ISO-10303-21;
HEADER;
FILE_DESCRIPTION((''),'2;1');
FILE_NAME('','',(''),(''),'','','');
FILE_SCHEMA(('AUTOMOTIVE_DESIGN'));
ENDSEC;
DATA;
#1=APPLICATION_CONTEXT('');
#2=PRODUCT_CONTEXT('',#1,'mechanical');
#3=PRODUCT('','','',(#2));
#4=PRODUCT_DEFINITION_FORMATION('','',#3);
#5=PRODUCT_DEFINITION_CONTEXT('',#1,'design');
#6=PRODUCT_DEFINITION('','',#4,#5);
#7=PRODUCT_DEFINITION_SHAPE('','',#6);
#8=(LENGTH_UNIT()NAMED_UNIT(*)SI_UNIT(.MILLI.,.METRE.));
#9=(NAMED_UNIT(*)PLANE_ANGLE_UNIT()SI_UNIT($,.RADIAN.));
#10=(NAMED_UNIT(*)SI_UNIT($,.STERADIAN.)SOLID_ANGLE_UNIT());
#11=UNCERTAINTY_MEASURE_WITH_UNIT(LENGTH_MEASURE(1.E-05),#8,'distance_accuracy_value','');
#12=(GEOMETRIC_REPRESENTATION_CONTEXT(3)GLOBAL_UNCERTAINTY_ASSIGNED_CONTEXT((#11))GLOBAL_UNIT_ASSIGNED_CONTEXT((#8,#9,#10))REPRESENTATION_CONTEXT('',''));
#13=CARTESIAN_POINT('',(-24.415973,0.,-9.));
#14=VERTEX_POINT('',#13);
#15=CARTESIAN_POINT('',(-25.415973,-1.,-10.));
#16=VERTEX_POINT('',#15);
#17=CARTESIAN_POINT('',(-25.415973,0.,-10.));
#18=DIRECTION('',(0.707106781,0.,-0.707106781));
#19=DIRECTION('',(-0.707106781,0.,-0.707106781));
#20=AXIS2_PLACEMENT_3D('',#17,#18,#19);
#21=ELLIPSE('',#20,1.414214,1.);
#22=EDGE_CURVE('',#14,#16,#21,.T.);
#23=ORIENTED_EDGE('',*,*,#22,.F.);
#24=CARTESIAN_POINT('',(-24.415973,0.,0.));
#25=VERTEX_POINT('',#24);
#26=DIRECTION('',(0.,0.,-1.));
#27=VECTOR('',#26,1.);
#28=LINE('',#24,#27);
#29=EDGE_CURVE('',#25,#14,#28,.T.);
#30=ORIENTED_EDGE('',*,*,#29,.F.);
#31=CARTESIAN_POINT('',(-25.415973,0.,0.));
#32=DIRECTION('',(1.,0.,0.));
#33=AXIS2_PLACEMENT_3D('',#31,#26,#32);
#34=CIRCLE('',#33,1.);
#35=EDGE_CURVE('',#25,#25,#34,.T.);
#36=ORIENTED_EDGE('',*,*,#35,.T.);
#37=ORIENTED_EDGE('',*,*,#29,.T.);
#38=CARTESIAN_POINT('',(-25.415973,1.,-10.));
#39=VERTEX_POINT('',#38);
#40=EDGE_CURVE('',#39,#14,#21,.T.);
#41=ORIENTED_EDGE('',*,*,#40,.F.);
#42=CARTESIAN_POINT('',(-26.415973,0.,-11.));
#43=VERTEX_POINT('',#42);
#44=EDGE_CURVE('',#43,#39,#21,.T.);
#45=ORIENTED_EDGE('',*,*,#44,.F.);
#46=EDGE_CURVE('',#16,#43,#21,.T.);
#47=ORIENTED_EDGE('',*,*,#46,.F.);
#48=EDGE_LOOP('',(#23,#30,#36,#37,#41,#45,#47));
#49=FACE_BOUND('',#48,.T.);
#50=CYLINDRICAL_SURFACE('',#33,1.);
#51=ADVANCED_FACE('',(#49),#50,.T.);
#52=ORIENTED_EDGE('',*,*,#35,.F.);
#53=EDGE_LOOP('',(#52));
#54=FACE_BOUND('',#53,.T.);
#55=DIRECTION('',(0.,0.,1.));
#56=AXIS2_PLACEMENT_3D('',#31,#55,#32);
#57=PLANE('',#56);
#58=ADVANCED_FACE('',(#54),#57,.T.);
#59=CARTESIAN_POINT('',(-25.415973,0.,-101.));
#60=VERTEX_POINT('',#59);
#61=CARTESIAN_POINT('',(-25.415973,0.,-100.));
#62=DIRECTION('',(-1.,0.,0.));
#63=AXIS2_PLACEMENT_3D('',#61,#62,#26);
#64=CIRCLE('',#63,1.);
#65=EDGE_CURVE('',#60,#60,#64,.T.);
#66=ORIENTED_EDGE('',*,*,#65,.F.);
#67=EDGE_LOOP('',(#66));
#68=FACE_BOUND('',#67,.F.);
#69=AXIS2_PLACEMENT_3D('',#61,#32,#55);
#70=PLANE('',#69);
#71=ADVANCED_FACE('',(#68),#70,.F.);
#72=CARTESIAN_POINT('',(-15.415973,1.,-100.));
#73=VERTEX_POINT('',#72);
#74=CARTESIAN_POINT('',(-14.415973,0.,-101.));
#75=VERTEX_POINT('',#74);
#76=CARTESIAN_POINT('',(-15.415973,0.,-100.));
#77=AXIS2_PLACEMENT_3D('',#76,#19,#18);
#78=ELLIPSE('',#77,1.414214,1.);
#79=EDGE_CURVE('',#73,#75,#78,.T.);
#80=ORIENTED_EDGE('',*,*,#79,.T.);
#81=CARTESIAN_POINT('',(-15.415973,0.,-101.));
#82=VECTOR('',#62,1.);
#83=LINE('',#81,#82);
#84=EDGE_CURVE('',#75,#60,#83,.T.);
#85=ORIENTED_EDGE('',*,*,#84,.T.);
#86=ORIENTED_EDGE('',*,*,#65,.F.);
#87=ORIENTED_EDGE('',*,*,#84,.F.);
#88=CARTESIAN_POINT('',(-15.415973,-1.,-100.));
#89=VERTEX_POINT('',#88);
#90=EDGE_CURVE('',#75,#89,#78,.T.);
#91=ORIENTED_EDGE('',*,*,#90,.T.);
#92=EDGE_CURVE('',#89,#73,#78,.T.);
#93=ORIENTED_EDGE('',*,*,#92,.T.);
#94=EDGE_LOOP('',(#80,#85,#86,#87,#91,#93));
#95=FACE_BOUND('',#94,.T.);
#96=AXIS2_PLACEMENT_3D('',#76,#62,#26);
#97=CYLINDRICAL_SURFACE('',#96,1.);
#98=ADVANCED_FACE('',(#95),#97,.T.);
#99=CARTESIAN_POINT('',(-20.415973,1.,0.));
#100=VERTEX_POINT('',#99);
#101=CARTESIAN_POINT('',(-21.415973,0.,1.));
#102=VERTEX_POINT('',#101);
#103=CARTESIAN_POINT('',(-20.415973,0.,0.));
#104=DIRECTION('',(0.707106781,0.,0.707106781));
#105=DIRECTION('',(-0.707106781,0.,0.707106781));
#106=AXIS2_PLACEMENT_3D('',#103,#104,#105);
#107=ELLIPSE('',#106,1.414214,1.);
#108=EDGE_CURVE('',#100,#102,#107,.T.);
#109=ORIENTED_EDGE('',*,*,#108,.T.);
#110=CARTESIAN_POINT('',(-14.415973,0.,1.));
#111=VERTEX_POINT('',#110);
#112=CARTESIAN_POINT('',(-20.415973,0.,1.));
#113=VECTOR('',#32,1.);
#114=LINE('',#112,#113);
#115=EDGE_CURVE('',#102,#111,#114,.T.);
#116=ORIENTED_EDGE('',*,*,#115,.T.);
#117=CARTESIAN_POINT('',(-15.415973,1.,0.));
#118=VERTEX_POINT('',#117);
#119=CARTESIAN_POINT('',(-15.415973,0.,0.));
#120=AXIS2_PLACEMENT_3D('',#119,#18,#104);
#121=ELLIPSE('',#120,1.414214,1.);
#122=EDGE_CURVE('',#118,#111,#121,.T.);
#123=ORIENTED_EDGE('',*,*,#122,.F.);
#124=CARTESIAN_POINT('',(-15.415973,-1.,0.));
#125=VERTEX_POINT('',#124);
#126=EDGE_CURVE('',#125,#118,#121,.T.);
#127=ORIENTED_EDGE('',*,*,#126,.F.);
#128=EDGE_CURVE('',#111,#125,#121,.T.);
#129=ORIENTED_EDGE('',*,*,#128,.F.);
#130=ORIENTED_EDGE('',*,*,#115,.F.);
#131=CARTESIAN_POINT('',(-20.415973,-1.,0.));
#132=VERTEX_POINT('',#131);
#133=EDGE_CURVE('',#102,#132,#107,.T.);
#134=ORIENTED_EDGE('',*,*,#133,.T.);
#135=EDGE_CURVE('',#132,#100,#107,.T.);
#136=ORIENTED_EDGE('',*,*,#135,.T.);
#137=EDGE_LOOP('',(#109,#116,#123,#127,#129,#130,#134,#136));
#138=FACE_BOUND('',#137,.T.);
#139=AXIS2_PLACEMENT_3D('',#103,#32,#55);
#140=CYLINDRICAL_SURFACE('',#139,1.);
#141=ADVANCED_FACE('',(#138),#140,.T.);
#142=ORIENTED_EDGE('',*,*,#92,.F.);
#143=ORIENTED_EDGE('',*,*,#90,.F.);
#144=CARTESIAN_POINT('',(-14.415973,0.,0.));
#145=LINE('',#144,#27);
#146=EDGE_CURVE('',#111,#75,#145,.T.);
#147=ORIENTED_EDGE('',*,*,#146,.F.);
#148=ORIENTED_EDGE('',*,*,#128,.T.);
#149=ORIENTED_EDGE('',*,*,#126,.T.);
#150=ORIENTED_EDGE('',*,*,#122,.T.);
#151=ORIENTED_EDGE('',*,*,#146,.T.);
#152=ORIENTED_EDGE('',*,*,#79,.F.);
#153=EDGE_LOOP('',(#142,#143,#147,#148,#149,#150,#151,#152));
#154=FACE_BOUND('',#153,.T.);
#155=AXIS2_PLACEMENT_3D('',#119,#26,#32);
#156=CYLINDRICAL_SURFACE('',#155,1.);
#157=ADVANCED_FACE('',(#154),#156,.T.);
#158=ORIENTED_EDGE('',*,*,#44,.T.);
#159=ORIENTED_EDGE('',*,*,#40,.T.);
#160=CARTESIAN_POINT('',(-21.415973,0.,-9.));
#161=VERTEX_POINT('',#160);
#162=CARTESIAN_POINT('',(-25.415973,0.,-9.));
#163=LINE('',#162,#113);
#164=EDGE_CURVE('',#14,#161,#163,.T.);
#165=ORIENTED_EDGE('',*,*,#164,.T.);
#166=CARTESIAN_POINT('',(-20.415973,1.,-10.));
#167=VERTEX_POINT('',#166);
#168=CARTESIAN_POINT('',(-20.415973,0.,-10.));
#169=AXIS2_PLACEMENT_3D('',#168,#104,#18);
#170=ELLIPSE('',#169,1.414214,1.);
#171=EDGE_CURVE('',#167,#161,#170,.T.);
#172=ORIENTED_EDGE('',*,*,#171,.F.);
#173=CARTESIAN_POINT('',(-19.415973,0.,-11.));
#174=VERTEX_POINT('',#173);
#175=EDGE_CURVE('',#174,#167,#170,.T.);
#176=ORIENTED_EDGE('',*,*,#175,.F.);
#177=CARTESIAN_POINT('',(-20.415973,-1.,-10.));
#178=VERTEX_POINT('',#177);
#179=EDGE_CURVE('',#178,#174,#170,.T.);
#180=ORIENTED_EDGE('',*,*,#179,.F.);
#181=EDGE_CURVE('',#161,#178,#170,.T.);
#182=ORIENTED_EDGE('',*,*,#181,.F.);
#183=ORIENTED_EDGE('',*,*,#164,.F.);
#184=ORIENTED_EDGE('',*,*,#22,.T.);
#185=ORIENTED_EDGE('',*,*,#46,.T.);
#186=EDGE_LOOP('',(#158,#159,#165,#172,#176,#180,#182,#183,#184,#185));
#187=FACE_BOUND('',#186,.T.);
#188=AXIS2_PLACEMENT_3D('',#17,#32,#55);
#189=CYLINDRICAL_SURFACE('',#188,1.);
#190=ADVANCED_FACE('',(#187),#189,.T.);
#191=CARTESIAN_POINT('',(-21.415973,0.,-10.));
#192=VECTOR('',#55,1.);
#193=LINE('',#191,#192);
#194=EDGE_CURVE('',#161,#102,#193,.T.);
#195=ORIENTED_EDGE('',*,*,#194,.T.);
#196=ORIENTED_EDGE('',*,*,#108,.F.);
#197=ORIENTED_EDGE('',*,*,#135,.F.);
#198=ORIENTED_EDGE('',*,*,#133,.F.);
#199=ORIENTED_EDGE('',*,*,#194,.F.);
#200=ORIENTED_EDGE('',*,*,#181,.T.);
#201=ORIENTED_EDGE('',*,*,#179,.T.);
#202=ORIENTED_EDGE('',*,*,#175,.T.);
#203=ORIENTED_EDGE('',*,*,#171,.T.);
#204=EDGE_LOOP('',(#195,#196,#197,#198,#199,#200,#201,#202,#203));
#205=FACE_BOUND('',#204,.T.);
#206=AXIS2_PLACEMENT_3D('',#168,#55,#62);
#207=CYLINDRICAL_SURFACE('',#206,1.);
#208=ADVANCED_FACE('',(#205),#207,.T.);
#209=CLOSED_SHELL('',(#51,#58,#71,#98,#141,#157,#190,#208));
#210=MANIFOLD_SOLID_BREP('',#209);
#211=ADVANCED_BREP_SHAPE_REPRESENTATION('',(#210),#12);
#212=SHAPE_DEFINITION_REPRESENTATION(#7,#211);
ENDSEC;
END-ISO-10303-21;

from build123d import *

# Parameters (mm, degrees)
F0_R = 1


with BuildPart() as f2:
    # F2: sweep along a path in F1
    with BuildLine(Plane.XZ) as f2_path:
        Line((-25.4159729801, 0), (-25.4159729801, -10))
        Line((-25.4159729801, -10), (-20.4159729801, -10))
        Line((-20.4159729801, -10), (-20.4159729801, 0))
        Line((-20.4159729801, 0), (-15.4159729801, 0))
        Line((-15.4159729801, 0), (-15.4159729801, -100))
        Line((-15.4159729801, -100), (-25.4159729801, -100))
    # F0 (on Top) → F2 (sweep)
    with BuildSketch(Plane.XY):
        with Locations((-25.4159729801, 0)):
            Circle(F0_R)
    sweep(path=f2_path.line, transition=Transition.RIGHT)


solid = f2.part
